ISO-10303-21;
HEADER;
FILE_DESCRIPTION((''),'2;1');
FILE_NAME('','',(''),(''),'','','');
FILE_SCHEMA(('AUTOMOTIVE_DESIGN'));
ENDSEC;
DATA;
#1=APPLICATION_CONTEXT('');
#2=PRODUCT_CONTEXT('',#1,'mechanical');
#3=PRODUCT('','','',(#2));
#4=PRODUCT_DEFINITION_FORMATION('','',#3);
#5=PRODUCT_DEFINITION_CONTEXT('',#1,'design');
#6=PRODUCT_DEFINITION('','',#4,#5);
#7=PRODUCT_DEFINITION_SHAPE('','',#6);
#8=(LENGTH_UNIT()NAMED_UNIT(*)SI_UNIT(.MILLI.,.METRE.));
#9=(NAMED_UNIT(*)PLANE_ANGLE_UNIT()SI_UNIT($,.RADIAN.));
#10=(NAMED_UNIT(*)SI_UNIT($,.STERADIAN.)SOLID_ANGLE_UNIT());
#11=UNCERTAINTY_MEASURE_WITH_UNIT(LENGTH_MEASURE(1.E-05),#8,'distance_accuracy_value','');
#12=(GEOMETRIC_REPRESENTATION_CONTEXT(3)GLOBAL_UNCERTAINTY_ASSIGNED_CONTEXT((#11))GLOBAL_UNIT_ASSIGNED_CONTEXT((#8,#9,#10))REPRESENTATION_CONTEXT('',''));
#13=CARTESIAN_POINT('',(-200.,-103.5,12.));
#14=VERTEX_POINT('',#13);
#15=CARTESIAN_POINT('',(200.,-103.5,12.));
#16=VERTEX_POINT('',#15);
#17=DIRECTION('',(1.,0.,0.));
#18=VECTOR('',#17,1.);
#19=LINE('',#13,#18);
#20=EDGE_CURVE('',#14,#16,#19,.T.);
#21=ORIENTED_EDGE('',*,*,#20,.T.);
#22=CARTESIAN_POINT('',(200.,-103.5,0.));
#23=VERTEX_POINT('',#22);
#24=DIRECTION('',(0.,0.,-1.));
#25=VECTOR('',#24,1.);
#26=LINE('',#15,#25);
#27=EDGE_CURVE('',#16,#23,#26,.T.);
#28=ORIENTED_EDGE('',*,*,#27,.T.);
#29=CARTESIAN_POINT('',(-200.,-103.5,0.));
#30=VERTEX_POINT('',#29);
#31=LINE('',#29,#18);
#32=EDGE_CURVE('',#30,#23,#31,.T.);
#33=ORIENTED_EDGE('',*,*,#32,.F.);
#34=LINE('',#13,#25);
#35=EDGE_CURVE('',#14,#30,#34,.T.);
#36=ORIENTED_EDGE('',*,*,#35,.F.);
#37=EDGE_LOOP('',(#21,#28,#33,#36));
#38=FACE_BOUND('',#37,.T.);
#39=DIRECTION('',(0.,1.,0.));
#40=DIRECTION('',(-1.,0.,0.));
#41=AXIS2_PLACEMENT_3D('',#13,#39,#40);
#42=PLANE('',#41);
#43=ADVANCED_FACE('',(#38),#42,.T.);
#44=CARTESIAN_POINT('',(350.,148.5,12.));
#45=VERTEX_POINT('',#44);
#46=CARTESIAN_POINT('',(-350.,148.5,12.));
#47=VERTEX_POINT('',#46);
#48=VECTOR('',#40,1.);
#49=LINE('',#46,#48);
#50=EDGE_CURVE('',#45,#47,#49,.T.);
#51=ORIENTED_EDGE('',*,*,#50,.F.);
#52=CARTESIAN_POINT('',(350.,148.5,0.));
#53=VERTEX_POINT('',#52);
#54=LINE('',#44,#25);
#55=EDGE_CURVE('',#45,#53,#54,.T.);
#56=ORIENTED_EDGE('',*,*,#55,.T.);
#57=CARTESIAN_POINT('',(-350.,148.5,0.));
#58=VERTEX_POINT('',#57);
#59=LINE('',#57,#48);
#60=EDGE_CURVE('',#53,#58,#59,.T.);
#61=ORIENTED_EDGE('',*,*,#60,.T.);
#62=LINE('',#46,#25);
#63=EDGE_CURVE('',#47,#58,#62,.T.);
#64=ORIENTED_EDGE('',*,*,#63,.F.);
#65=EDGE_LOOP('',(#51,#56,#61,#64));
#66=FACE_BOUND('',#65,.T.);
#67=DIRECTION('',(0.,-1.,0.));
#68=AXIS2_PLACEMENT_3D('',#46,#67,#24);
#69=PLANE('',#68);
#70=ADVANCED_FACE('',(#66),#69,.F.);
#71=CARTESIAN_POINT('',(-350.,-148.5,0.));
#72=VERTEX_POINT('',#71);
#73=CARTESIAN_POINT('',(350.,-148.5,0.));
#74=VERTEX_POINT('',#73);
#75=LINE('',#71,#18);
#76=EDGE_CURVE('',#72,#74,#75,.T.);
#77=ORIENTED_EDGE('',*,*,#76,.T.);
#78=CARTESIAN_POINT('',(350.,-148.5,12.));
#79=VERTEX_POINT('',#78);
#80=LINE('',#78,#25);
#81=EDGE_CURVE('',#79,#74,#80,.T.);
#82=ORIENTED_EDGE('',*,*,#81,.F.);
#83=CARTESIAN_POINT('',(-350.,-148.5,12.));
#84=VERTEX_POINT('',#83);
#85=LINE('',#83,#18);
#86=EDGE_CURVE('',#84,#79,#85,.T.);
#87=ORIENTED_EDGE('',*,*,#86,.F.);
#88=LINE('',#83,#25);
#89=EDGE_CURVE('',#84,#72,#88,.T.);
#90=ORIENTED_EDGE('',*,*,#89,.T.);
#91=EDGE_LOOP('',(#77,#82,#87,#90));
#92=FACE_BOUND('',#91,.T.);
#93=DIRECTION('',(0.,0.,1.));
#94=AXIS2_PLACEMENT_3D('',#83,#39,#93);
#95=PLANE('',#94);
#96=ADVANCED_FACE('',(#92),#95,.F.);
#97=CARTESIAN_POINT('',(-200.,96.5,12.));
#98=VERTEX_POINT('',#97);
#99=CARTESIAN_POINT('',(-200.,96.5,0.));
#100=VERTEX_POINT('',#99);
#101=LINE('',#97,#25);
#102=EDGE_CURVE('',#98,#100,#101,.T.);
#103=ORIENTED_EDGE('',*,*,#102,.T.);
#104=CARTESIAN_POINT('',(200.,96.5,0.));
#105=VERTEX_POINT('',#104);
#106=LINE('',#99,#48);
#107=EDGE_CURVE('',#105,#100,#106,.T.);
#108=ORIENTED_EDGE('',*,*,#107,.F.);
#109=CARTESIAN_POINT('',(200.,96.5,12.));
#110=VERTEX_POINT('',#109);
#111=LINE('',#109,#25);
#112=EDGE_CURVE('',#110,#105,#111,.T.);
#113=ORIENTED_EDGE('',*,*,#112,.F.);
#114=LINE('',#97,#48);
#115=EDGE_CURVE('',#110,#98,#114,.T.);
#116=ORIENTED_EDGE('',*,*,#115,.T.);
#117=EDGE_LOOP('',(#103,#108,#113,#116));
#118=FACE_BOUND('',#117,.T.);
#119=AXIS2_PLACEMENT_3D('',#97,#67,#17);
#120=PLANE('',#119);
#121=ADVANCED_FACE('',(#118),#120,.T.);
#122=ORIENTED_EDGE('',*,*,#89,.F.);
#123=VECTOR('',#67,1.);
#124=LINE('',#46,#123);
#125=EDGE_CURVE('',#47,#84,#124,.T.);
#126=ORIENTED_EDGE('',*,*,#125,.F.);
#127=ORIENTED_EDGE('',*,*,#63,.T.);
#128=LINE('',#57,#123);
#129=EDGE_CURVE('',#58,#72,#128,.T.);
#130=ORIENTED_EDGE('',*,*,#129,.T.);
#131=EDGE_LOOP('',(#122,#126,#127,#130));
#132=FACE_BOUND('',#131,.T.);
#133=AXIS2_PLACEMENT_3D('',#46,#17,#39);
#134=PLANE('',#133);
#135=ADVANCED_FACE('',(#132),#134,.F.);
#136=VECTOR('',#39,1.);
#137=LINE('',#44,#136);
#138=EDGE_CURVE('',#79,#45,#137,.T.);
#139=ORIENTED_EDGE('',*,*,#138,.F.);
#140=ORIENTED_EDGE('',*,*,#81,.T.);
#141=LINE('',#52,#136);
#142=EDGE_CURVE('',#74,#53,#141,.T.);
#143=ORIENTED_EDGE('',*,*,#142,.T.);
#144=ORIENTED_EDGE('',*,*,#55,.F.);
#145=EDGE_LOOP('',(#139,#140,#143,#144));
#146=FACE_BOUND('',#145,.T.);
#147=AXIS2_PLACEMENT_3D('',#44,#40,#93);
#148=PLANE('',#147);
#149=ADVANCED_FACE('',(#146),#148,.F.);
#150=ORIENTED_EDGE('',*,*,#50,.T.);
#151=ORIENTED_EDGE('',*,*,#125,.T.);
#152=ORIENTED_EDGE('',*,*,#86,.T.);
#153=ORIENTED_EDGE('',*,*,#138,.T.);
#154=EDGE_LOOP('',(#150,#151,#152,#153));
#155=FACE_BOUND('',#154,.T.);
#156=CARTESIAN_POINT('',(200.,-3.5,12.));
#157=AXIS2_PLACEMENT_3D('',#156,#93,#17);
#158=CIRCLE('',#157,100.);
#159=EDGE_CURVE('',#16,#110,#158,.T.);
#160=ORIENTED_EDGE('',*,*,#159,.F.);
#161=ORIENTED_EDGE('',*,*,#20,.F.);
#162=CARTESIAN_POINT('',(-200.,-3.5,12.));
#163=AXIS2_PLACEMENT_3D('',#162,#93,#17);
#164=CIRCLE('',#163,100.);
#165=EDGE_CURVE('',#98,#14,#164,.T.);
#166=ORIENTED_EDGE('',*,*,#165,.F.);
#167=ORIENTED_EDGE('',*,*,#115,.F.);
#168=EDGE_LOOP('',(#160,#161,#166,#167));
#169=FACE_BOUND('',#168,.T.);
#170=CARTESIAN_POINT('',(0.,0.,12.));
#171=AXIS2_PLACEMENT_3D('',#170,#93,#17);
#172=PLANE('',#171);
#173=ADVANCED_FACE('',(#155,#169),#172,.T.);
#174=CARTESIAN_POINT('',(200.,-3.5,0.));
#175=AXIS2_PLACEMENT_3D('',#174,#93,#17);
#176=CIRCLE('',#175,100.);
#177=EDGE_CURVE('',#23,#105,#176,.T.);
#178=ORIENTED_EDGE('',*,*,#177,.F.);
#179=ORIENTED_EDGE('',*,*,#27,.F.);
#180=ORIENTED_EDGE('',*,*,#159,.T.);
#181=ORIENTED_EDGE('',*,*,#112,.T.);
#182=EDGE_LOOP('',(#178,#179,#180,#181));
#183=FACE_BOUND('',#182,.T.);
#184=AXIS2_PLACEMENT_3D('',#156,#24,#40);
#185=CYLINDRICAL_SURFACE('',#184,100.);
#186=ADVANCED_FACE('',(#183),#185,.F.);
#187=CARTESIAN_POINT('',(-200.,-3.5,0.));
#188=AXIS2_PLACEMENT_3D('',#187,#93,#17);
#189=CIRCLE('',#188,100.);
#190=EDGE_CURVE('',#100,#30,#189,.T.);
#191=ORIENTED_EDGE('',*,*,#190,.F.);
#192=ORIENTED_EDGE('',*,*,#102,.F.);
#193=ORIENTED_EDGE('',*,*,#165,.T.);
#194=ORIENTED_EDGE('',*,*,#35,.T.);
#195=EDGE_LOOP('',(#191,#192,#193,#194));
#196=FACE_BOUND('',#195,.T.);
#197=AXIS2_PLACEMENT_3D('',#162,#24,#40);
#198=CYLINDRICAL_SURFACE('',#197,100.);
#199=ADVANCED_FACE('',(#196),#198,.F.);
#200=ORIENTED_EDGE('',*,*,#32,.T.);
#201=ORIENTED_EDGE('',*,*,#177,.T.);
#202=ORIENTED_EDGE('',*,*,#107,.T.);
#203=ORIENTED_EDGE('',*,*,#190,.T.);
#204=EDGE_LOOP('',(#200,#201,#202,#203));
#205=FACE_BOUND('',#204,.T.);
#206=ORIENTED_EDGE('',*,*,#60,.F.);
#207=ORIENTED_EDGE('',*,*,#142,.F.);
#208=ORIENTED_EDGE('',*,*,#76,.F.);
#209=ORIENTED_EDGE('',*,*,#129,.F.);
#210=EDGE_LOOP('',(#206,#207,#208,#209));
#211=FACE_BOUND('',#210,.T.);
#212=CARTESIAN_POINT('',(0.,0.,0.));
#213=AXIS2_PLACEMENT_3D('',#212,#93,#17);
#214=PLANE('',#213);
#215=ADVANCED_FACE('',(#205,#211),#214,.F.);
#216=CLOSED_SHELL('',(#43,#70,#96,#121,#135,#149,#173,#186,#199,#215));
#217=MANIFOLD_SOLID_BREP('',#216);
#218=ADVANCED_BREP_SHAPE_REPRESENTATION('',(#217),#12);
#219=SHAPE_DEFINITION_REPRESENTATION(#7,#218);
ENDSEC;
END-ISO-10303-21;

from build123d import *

# Parameters (mm, degrees)
ESQUISSE1_W        = 700
ESQUISSE1_H        = 297
BOSS_EXTRU_1_DEPTH = 12


with BuildPart() as part:
    # Esquisse1 → Boss.-Extru.1 (new body)
    with BuildSketch(Plane.XY):
        Rectangle(ESQUISSE1_W, ESQUISSE1_H)
        with BuildLine():
            Line((-200, 96.5), (200, 96.5))
            ThreePointArc((200, 96.5), (300, -3.5), (200, -103.5))
            Line((200, -103.5), (-200, -103.5))
            ThreePointArc((-200, -103.5), (-300, -3.5), (-200, 96.5))
        make_face(mode=Mode.SUBTRACT)
    extrude(amount=BOSS_EXTRU_1_DEPTH)


solid = part.part
